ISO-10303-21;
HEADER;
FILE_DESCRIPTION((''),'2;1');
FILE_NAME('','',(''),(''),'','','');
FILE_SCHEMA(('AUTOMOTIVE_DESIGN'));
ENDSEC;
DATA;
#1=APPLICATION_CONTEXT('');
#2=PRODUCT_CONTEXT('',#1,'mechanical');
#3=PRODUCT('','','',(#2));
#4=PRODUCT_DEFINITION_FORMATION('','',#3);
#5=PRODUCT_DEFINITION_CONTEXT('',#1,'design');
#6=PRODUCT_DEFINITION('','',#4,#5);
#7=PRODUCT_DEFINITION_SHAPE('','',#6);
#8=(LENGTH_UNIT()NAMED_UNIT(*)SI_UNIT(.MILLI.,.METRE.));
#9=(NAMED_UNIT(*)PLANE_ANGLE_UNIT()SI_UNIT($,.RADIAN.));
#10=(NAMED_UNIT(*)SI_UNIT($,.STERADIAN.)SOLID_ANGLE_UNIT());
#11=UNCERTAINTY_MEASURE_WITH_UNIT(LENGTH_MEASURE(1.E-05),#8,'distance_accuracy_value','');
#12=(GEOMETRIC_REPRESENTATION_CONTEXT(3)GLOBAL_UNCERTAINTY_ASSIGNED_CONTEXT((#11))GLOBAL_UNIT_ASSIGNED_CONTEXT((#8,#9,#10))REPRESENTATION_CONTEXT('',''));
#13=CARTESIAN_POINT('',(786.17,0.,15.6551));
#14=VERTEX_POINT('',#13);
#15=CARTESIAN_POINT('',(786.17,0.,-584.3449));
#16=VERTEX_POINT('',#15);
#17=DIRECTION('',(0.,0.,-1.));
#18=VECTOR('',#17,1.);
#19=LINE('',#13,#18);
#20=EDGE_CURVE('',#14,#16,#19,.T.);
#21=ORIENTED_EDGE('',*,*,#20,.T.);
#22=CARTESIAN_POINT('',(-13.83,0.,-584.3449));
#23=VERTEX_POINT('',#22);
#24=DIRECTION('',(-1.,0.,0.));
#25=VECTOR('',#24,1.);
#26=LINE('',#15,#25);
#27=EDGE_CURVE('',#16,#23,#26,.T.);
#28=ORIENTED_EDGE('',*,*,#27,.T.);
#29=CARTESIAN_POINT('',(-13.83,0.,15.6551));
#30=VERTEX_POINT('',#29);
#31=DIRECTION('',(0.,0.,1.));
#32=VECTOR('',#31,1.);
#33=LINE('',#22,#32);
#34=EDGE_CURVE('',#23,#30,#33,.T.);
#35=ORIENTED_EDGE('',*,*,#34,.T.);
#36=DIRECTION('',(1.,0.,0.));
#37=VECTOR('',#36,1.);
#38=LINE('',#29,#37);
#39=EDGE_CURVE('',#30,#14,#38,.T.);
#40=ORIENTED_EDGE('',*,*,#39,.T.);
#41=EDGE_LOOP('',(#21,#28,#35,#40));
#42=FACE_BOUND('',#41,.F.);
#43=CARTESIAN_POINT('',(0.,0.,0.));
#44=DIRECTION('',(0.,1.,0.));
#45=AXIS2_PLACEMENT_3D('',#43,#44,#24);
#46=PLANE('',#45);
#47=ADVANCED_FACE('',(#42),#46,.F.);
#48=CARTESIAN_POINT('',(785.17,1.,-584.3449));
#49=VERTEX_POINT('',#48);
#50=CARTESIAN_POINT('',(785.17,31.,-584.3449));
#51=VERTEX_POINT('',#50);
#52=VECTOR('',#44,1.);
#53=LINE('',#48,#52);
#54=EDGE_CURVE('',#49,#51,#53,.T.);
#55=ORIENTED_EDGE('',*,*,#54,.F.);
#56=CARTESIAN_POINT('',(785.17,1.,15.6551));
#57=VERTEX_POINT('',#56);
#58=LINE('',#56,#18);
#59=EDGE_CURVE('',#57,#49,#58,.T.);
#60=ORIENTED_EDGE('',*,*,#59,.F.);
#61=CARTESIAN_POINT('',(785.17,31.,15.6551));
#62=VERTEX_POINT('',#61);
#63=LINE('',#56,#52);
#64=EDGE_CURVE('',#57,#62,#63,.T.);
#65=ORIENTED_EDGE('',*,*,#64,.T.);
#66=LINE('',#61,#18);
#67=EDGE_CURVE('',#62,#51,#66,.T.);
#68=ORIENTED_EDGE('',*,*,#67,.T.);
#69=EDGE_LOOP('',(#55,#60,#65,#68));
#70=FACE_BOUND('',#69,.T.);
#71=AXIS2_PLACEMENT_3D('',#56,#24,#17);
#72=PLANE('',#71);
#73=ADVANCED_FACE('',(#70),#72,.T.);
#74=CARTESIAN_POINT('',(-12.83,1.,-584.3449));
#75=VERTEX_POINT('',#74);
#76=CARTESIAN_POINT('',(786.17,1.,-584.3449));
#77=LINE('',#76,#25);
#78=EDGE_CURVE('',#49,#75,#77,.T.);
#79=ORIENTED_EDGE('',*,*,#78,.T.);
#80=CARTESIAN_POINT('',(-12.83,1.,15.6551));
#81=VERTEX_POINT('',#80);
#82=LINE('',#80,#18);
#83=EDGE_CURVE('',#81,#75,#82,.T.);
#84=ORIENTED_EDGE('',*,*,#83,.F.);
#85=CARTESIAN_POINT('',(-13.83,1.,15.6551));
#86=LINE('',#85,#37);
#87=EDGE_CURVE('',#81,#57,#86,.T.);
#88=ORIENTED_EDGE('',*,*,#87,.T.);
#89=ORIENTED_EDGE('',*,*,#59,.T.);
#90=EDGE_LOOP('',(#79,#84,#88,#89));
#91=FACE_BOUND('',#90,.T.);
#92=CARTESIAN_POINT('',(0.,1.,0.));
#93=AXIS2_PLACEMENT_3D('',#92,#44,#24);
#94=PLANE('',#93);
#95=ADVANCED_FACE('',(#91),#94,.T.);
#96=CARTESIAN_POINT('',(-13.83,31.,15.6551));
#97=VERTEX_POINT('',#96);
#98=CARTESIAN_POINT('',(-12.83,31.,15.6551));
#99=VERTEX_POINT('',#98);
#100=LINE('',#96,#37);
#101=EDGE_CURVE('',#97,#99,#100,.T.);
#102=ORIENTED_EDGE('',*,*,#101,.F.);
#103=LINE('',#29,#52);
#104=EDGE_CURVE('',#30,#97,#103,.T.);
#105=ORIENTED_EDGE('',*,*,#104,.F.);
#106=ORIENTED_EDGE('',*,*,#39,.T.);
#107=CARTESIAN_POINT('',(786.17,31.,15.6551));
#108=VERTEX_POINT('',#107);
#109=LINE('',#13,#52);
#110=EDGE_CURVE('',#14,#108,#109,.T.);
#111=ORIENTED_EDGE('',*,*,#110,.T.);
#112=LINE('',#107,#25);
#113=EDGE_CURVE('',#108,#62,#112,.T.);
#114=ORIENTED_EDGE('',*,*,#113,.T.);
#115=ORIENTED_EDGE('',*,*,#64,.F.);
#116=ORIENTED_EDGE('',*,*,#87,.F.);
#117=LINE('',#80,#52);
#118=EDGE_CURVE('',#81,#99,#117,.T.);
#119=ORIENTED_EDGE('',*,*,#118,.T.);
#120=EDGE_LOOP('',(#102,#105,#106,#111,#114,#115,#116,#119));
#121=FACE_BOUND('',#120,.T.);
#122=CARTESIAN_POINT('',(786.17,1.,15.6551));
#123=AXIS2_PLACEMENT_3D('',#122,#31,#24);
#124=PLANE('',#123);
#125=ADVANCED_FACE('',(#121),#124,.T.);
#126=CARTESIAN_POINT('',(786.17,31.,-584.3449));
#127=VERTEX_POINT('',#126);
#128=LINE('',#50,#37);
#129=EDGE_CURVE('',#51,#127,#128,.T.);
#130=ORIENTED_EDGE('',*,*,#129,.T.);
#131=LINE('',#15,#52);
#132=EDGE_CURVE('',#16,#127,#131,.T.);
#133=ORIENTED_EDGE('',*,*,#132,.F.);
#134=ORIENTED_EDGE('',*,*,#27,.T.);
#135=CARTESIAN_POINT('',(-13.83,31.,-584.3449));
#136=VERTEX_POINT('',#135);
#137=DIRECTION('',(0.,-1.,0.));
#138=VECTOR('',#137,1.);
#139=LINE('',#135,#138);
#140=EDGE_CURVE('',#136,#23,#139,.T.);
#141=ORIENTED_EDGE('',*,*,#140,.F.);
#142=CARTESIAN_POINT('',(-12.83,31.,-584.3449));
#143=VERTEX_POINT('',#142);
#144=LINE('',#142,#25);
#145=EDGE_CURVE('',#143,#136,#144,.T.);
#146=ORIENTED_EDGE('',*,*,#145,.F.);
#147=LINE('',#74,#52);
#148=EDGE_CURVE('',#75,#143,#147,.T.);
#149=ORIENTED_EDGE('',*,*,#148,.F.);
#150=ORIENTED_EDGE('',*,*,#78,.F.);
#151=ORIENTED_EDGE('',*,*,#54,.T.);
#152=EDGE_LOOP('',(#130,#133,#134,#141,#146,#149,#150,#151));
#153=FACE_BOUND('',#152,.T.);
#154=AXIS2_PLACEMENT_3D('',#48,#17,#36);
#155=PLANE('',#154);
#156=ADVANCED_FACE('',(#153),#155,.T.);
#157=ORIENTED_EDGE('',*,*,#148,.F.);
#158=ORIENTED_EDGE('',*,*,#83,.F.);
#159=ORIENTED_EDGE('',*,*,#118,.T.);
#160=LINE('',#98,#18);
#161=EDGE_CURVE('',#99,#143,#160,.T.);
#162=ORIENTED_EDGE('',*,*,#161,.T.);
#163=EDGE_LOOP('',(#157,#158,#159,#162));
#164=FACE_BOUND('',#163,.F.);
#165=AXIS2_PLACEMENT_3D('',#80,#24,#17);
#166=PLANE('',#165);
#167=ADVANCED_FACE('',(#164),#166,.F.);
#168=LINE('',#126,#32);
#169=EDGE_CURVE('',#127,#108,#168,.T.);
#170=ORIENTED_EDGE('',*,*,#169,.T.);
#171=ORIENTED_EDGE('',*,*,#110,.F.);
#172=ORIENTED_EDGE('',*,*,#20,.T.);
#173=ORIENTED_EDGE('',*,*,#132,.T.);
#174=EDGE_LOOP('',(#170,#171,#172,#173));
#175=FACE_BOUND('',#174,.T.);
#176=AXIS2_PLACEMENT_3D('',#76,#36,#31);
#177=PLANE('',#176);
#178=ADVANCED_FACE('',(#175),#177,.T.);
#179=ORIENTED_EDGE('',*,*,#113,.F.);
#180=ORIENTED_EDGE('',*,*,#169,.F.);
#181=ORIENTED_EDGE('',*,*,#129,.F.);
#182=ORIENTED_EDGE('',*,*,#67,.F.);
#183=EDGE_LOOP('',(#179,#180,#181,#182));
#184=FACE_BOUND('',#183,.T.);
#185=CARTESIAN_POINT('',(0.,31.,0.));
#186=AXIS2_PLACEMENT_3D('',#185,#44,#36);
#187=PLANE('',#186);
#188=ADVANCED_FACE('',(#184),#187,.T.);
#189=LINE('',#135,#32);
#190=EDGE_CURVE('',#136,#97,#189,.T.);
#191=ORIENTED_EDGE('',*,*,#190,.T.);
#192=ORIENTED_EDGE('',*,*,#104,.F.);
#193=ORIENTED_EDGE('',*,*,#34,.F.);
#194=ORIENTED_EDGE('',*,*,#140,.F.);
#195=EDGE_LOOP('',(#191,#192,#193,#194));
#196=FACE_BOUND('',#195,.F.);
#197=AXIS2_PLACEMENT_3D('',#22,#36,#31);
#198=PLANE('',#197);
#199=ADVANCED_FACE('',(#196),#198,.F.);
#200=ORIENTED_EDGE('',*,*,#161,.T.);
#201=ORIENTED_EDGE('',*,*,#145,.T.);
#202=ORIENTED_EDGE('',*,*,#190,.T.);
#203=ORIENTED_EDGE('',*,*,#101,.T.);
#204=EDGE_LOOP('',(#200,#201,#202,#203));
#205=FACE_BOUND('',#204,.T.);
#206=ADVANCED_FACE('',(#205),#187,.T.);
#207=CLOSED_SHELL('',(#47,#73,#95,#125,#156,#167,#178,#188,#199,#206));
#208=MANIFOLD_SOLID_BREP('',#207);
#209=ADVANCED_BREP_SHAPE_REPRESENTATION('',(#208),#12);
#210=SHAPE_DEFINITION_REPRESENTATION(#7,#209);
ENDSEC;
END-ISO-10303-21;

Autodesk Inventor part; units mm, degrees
ref_plane "YZ Plane" through (0, 0, 0) normal (1, 0, 0) x (0, 1, 0)
ref_plane "XZ Plane" through (0, 0, 0) normal (0, 1, 0) x (-1, 0, 0)
ref_plane "XY Plane" through (0, 0, 0) normal (0, 0, 1) x (1, 0, 0)
sketch "Эскиз1" plane through (0, 0, 0) normal (0, 1, 0) x (-1, 0, 0)
  line L0 (13.83, 15.6551) -> (-786.17, 15.6551)
  line L1 (-786.17, 15.6551) -> (-786.17, -584.3449)
  line L2 (-786.17, -584.3449) -> (13.83, -584.3449)
  line L3 (13.83, -584.3449) -> (13.83, 15.6551)
  point P0 (0, 0)
  dimension "d0" = 800
  dimension "d1" = 600
extrude "Выдавливание1" add sketch "Эскиз1" along normal blind 1
sketch "Эскиз2" plane through (0, 1, 0) normal (0, 1, 0) x (1, 0, 0)
  point P0 (0, 0)
sketch "Эскиз3" plane through (0, 1, 0) normal (0, 1, 0) x (1, 0, 0)
  line L0 (-13.83, 584.3449) -> (-13.83, -15.6551) projected
  line L1 (-13.83, -15.6551) -> (-12.83, -15.6551)
  line L2 (-12.83, -15.6551) -> (-12.83, 584.3449)
  line L3 (-12.83, 584.3449) -> (-13.83, 584.3449)
  line L4 (-13.83, 584.3449) -> (-13.83, -15.6551)
  line L5 (-13.83, -15.6551) -> (786.17, -15.6551) projected
  line L6 (786.17, -15.6551) -> (785.17, -15.6551)
  line L7 (785.17, -15.6551) -> (785.17, 584.3449)
  line L8 (785.17, 584.3449) -> (786.17, 584.3449)
  line L9 (786.17, 584.3449) -> (786.17, -15.6551)
  point P0 (0, 0)
  dimension "d4" = 1
  dimension "d5" = 600
  dimension "d6" = 1
  dimension "d7" = 600
extrude "Выдавливание2" add sketch "Эскиз3" along normal blind 30 contours L3 L2 L1 L0
sketch "Эскиз4" plane through (0, 1, 0) normal (0, 1, 0) x (1, 0, 0)
  line L0 (786.17, -15.6551) -> (785.17, -15.6551)
  line L1 (785.17, -15.6551) -> (785.17, 584.3449)
  line L2 (785.17, 584.3449) -> (786.17, 584.3449)
  line L3 (786.17, 584.3449) -> (786.17, -15.6551)
  point P0 (0, 0)
  dimension "d10" = 1
  dimension "d11" = 600
extrude "Выдавливание3" add sketch "Эскиз4" along normal blind 30
properties part number "Полка"
